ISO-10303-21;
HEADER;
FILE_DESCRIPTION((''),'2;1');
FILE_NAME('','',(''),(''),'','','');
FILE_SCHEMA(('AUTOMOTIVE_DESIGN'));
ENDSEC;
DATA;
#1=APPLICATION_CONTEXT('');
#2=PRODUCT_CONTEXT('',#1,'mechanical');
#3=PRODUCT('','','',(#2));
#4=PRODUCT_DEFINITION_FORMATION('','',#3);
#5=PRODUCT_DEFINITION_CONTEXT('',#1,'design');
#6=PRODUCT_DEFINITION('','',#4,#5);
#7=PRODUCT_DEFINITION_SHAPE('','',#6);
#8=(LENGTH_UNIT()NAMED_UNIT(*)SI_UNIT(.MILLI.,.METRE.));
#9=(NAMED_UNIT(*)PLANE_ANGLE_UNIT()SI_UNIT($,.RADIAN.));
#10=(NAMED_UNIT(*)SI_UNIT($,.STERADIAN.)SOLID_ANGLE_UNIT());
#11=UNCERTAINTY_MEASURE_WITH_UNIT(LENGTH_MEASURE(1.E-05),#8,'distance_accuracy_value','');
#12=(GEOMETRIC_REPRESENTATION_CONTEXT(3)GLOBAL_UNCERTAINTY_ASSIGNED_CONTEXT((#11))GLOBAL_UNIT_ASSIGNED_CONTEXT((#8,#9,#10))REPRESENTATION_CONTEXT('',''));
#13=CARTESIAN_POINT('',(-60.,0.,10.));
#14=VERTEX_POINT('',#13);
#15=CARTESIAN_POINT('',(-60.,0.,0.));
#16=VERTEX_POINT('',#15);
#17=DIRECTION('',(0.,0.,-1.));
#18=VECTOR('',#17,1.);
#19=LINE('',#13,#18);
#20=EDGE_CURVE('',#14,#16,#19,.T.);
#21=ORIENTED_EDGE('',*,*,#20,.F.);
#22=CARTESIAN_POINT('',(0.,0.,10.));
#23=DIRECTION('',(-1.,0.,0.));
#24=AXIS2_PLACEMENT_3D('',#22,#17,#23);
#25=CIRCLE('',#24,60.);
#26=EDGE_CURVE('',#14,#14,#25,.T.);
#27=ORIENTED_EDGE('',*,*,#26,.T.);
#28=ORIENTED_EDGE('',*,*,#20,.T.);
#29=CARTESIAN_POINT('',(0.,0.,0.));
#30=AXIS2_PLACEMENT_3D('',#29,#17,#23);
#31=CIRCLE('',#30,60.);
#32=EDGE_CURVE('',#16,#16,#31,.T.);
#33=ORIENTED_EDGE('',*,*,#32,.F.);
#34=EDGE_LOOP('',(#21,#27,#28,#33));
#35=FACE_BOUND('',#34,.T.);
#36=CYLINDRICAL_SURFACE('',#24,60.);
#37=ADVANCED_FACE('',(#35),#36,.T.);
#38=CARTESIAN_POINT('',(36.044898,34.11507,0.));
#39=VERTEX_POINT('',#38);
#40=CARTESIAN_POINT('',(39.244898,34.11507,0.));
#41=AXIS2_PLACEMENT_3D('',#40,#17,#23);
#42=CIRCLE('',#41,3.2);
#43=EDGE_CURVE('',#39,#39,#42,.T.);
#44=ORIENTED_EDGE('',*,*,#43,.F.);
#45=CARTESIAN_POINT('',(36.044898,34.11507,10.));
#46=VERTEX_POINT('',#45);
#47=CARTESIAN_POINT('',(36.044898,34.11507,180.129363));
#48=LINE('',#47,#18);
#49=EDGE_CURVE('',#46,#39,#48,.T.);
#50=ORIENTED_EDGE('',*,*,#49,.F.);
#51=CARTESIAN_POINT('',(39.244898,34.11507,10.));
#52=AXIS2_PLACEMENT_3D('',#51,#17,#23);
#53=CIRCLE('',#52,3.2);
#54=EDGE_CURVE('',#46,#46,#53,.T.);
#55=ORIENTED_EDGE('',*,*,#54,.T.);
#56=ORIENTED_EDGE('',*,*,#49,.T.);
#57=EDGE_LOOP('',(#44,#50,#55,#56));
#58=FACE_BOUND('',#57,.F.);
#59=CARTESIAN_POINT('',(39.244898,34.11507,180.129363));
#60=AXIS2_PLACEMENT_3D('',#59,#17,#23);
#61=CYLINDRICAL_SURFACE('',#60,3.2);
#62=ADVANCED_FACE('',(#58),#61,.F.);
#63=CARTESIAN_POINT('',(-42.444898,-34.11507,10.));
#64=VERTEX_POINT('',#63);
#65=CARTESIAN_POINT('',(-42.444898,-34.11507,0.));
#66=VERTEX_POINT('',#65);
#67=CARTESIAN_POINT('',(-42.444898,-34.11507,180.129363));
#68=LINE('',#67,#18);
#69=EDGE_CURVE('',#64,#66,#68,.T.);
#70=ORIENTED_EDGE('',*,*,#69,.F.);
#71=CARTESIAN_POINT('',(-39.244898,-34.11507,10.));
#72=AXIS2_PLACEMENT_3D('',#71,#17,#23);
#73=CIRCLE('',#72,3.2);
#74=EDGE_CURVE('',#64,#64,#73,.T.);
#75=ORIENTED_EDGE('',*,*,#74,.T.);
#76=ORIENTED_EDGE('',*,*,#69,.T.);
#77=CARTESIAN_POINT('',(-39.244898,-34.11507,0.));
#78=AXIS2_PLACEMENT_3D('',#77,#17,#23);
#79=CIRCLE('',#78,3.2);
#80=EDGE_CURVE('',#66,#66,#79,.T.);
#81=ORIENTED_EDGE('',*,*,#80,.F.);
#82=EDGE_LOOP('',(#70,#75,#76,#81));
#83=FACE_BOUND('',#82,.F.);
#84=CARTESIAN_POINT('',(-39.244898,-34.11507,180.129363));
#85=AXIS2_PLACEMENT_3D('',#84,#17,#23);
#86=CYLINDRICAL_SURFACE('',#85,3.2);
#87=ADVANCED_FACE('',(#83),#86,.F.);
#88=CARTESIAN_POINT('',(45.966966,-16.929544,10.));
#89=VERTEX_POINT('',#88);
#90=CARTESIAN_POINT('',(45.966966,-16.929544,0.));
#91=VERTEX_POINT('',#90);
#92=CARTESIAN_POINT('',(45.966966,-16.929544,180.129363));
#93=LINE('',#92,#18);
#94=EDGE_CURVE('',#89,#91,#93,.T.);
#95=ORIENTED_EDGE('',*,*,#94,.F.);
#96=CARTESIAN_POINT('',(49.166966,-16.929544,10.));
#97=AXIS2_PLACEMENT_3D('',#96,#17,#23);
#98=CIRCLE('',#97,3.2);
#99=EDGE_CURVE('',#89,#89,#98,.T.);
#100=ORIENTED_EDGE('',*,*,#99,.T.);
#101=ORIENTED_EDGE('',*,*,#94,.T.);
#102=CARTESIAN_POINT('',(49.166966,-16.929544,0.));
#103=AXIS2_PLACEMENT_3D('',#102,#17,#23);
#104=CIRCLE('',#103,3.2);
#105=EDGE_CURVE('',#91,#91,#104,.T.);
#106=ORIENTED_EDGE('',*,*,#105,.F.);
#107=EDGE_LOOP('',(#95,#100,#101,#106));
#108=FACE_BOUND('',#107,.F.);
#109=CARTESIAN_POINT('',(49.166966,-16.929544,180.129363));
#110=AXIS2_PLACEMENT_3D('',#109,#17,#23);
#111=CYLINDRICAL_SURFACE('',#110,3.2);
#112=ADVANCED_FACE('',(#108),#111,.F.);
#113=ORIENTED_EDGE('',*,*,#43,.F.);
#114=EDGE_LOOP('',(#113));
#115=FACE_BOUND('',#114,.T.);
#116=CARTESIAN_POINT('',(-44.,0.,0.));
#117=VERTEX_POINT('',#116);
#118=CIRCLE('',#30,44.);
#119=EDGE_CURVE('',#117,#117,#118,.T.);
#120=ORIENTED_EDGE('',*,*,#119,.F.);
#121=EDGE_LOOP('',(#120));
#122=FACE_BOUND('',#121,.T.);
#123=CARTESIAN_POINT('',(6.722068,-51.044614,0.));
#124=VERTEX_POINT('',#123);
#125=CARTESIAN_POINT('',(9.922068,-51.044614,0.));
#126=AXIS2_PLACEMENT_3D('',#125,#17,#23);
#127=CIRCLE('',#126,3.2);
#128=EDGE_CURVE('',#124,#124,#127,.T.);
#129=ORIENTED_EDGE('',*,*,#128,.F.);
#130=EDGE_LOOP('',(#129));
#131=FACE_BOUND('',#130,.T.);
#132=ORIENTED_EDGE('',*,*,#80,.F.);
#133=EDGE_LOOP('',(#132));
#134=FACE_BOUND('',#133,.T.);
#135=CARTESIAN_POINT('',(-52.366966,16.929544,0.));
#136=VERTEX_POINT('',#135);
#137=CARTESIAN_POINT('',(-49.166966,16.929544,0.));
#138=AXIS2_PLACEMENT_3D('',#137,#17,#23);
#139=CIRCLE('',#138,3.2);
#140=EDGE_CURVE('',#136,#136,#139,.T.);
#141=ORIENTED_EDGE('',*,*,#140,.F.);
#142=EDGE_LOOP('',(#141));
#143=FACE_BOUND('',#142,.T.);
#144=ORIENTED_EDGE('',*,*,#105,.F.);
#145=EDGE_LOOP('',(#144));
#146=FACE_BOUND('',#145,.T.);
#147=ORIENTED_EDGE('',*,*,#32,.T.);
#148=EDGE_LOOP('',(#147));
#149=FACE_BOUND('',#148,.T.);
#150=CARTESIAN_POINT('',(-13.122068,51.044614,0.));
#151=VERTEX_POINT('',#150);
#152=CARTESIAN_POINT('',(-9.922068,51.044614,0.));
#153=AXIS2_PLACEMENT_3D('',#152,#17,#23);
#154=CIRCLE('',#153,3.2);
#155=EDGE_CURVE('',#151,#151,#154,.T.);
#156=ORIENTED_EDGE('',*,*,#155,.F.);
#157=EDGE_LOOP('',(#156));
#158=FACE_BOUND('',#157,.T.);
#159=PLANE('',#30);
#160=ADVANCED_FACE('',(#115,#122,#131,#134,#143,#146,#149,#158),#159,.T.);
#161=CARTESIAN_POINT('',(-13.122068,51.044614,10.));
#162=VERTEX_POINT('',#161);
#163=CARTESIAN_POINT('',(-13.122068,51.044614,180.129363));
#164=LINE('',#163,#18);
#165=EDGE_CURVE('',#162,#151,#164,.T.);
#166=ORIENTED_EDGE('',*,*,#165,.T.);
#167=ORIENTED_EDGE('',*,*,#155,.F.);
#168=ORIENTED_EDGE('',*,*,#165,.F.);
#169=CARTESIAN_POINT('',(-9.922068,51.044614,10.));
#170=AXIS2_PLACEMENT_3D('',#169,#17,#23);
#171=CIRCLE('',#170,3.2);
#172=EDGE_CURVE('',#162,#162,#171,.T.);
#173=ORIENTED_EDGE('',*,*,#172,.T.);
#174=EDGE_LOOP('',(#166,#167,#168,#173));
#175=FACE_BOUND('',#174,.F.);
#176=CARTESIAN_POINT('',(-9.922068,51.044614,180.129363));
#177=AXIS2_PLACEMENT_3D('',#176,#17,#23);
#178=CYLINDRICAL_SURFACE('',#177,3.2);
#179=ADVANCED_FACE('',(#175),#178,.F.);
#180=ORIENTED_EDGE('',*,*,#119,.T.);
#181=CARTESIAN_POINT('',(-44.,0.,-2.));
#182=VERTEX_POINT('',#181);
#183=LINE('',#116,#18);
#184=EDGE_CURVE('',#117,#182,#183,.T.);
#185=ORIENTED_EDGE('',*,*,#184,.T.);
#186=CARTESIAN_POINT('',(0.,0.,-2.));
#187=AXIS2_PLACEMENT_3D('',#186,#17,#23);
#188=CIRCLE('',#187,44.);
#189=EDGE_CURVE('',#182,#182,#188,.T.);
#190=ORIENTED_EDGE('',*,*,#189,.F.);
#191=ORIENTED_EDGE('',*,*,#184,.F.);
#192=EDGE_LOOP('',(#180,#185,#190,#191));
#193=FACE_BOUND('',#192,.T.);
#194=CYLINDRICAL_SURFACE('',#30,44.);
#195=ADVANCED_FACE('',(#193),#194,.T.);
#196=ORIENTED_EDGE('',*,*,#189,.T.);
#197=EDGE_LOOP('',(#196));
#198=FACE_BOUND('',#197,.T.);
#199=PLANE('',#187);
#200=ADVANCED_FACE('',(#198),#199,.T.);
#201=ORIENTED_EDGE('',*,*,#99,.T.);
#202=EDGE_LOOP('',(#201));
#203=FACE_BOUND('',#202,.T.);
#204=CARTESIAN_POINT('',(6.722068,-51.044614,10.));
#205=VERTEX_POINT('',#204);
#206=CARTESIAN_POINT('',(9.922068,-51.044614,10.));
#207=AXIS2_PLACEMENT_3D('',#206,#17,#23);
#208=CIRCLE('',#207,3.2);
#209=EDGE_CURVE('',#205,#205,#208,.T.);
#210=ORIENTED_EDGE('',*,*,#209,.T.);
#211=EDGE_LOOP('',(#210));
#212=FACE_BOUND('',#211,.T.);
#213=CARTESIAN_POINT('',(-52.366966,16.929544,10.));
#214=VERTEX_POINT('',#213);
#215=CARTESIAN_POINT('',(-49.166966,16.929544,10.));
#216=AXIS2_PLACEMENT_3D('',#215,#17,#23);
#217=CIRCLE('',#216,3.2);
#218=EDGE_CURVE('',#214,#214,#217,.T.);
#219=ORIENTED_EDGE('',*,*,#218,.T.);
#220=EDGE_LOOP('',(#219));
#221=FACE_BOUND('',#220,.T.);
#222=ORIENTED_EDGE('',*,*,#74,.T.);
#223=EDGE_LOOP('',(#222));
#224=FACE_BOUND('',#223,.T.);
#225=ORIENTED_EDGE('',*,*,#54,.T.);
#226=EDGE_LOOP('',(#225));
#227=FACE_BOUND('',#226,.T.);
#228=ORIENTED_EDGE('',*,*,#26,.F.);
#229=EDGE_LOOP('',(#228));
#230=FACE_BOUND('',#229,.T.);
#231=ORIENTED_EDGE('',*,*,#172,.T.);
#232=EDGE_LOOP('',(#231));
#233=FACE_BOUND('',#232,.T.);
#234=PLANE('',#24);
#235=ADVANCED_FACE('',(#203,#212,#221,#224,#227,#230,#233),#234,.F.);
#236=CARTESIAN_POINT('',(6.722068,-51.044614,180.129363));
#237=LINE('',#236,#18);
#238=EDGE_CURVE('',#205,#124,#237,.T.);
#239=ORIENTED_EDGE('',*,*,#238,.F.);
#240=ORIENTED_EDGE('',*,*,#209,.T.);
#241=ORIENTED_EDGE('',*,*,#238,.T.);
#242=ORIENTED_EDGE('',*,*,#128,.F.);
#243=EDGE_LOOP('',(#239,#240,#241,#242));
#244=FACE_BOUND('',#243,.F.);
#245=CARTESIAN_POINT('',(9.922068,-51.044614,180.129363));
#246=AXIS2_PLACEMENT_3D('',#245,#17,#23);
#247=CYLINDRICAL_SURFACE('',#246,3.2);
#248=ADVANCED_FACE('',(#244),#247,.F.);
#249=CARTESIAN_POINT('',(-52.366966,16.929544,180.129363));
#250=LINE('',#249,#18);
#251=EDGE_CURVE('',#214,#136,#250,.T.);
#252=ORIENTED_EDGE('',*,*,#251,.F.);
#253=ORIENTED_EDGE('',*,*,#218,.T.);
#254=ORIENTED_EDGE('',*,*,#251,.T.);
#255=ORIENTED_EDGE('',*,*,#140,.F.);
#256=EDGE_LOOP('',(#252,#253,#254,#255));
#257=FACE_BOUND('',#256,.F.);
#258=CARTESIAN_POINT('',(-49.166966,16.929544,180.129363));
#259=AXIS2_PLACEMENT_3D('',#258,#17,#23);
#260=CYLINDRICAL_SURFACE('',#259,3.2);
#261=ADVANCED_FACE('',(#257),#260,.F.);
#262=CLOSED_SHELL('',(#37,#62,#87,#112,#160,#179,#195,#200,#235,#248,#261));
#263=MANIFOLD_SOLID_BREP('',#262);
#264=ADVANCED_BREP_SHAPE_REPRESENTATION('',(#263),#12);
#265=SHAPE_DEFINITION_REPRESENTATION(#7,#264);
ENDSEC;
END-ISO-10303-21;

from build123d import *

# Parameters (mm, degrees)
F4_D = 6.4


with BuildPart() as f1:
    # F0 (on Front) → F1 (revolve)
    with BuildSketch(Plane.XZ):
        Polygon((0, -2), (0, 10), (-60, 10), (-60, 0), (-44, 0), (-44, -2), align=None)
    revolve(axis=Axis((0, 0, 4), (0, 0, -1)))

    # F4 (through all)
    with Locations(Plane.XY.offset(10)):
        with Locations((-9.922068, 51.044614), (-49.166966, 16.929544), (-39.244898, -34.11507), (9.922068, -51.044614), (49.166966, -16.929544), (39.244898, 34.11507)):
            Hole(F4_D / 2)


solid = f1.part
